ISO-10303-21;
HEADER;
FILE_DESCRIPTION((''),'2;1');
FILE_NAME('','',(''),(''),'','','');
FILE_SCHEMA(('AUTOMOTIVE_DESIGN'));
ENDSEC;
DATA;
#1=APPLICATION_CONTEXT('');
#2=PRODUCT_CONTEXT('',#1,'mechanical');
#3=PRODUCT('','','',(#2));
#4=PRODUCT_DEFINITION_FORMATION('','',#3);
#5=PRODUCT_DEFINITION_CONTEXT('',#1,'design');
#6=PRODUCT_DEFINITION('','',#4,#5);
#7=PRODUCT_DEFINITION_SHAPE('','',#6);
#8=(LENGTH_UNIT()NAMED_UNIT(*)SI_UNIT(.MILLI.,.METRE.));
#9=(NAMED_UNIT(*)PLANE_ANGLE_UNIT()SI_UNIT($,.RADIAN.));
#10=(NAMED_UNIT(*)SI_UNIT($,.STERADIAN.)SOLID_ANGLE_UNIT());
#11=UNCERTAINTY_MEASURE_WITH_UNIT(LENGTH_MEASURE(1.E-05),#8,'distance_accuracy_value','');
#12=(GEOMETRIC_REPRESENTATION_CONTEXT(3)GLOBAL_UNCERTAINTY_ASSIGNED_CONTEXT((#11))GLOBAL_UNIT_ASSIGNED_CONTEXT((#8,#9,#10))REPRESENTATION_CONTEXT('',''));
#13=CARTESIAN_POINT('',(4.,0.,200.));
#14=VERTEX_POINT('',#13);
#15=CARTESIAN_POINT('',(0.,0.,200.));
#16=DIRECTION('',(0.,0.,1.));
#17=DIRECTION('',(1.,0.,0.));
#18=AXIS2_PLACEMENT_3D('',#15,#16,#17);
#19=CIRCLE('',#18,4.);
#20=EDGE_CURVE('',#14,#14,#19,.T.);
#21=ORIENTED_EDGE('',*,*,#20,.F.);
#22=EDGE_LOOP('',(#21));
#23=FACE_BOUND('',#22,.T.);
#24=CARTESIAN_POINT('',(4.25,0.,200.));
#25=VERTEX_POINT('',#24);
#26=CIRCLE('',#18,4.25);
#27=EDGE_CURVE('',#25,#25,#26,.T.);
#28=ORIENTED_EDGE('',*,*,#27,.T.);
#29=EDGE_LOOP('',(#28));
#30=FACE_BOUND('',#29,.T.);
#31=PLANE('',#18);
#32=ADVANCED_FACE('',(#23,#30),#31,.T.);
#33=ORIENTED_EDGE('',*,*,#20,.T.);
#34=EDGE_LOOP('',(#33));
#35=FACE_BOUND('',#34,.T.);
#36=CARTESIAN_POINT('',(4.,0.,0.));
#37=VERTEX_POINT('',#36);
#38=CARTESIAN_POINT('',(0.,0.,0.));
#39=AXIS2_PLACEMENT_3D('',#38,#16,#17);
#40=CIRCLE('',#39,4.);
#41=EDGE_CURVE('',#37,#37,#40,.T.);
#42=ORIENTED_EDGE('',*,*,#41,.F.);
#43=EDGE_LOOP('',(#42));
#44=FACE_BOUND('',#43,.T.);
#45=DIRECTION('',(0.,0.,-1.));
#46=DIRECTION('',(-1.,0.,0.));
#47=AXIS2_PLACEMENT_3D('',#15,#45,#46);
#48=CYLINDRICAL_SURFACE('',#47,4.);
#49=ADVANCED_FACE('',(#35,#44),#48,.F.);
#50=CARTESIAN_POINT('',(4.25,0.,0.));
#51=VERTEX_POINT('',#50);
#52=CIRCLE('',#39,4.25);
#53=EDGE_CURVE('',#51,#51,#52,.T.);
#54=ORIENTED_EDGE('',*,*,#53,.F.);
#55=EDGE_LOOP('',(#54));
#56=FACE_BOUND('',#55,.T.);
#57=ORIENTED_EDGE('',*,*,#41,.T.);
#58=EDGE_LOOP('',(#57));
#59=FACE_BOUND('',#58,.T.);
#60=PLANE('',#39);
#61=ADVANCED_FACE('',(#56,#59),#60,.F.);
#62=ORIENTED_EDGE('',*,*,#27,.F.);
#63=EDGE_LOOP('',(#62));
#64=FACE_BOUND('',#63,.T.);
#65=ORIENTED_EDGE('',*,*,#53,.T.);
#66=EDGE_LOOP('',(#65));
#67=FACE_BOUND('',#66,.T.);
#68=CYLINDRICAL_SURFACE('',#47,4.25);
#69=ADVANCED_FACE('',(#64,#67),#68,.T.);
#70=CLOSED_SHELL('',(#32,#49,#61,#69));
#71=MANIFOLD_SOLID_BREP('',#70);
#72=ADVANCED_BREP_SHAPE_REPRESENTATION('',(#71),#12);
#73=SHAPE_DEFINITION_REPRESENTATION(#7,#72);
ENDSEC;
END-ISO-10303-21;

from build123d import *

# Parameters (mm, degrees)
CROQUIS1_R              = 4.25
CROQUIS1_R_2            = 4
SALIENTE_EXTRUIR1_DEPTH = 200


with BuildPart() as part:
    # Croquis1 → Saliente-Extruir1 (new body)
    with BuildSketch(Plane.XY):
        Circle(CROQUIS1_R)
        Circle(CROQUIS1_R_2, mode=Mode.SUBTRACT)
    extrude(amount=SALIENTE_EXTRUIR1_DEPTH)


solid = part.part
